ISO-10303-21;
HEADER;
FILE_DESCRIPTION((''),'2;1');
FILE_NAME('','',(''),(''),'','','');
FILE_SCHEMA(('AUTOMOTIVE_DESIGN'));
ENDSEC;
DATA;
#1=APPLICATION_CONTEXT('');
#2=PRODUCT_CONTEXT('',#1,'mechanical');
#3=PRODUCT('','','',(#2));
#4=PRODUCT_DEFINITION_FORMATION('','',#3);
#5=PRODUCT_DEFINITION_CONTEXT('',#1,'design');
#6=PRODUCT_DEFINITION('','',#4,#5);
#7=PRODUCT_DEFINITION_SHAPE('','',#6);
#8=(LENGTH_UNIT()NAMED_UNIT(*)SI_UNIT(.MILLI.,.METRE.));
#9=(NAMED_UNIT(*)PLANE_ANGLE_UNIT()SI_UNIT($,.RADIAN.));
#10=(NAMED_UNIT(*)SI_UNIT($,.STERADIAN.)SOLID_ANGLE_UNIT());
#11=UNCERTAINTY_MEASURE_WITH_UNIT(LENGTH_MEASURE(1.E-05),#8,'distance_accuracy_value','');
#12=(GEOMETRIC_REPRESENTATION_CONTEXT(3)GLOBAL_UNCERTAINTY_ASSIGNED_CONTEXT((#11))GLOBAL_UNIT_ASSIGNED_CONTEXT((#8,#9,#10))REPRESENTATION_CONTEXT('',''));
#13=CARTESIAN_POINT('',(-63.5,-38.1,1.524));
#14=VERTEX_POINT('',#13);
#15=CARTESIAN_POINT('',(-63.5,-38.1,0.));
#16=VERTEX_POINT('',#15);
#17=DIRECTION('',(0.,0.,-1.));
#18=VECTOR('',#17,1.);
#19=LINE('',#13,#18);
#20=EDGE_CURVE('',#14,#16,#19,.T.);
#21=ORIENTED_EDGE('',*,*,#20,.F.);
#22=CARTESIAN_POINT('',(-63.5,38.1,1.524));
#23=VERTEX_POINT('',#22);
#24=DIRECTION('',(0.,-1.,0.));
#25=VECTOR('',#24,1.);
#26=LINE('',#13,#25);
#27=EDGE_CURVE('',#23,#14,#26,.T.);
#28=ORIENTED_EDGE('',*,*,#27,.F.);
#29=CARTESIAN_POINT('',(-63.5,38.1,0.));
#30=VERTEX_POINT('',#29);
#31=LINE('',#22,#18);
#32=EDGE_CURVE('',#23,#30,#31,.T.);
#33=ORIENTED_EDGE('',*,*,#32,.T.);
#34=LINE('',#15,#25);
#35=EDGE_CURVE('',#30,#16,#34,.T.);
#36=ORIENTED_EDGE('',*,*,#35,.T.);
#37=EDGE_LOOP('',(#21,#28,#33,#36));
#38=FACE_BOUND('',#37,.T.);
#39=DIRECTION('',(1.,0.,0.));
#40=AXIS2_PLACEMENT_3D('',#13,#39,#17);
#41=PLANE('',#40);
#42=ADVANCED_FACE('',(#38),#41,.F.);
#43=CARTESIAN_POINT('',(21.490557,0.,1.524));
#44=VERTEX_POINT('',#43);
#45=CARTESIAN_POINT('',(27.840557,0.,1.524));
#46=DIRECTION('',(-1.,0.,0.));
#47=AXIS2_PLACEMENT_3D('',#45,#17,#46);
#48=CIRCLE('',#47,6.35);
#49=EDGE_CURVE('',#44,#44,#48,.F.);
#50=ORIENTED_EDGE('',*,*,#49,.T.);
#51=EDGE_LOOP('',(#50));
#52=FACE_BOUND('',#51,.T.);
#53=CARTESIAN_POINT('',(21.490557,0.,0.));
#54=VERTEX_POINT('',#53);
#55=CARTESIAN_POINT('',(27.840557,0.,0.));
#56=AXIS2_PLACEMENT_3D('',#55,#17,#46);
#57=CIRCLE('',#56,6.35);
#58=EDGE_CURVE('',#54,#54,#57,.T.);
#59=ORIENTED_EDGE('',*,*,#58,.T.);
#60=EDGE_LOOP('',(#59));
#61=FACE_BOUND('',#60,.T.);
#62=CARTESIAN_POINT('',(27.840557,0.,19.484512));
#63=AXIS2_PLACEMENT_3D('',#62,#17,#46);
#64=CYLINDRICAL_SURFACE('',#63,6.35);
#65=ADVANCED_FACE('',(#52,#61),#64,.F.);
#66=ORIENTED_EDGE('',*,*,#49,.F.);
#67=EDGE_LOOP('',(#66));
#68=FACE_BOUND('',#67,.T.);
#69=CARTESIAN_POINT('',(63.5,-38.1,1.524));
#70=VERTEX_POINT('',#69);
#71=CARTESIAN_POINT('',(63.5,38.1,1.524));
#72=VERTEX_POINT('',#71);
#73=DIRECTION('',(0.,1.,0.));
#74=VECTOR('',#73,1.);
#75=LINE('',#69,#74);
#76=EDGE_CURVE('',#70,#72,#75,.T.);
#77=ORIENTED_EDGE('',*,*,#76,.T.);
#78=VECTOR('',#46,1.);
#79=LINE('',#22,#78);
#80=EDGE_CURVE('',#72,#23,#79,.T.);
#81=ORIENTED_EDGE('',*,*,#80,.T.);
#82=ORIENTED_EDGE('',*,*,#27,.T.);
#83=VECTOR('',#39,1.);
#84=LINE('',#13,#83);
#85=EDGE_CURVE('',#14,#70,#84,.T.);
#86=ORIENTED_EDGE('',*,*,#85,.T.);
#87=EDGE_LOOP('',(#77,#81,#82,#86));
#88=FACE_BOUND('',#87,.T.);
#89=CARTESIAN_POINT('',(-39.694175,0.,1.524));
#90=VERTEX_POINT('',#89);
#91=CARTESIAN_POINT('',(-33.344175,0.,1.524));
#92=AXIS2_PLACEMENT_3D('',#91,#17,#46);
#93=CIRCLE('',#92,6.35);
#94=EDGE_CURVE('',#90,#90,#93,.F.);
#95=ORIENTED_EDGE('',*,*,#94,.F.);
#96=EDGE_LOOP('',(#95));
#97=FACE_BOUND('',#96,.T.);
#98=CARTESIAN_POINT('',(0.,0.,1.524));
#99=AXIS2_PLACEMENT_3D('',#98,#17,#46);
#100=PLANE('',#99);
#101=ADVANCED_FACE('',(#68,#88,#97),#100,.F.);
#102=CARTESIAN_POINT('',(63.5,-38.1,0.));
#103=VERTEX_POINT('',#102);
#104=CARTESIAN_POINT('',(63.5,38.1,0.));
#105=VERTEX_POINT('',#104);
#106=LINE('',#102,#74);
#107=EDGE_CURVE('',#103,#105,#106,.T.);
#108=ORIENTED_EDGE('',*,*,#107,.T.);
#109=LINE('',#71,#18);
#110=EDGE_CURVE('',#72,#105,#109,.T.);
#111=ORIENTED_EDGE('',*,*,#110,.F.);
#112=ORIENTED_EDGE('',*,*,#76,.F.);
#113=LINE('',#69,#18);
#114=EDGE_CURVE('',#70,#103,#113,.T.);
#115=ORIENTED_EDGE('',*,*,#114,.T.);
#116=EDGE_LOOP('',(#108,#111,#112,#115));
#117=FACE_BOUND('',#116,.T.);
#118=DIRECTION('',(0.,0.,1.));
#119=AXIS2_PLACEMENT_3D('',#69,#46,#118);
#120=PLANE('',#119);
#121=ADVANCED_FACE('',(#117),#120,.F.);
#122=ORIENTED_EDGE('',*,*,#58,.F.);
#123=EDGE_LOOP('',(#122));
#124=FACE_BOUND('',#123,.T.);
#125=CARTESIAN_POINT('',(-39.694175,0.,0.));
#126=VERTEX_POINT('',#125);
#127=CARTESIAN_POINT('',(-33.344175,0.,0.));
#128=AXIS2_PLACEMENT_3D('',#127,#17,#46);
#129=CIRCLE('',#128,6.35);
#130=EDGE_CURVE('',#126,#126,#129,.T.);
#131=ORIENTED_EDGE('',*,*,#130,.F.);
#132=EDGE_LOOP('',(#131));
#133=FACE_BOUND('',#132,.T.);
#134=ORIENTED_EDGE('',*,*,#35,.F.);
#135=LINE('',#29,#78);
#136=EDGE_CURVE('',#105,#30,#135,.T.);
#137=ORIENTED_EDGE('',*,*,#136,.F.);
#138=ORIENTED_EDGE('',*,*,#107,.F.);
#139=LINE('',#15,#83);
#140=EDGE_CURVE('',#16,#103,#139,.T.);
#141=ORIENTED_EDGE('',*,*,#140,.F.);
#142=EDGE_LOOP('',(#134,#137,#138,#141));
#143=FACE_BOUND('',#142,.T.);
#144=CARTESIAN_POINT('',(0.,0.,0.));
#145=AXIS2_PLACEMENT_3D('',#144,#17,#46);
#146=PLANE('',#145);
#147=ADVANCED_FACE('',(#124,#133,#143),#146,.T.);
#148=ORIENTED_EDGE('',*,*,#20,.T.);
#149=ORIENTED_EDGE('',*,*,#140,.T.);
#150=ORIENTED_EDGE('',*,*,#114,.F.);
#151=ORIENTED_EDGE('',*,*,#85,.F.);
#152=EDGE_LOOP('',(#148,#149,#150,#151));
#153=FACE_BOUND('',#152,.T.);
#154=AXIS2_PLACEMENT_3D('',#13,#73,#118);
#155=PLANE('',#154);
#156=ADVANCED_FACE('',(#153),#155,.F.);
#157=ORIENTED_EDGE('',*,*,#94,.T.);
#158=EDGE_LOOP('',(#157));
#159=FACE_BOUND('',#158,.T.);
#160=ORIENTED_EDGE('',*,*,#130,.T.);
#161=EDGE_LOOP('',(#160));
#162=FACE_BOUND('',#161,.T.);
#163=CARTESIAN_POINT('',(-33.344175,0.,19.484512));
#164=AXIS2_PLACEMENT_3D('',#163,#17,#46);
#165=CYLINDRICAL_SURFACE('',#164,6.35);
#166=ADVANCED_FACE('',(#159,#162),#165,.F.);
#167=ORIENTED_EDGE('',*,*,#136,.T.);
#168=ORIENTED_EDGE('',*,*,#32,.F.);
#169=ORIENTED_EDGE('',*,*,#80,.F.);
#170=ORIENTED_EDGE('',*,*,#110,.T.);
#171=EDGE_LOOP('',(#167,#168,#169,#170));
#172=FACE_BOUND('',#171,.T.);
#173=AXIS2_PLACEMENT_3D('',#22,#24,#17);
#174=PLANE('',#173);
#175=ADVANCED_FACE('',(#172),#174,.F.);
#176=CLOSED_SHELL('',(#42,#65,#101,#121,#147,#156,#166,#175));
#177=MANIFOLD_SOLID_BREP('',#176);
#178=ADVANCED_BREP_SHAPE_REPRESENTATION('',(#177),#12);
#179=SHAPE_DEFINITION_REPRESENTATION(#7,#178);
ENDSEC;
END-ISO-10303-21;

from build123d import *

# Parameters (mm, degrees)
SKETCH1_W           = 127
SKETCH1_H           = 76.2
BOSS_EXTRUDE1_DEPTH = 1.524
SKETCH2_R           = 6.35
CUT_EXTRUDE1_DEPTH  = 1.524


with BuildPart() as part:
    # Sketch1 → Boss-Extrude1 (new body)
    with BuildSketch(Plane.XY):
        Rectangle(SKETCH1_W, SKETCH1_H)
    extrude(amount=BOSS_EXTRUDE1_DEPTH)

    # Sketch2 → Cut-Extrude1 (cut)
    with BuildSketch(Plane(origin=(0, 0, 0), x_dir=(-1, 0, 0), z_dir=(0, 0, -1))):
        with Locations((-27.840556527, 0)):
            Circle(SKETCH2_R)
        with Locations((33.34417465, 0)):
            Circle(SKETCH2_R)
    extrude(amount=-CUT_EXTRUDE1_DEPTH, mode=Mode.SUBTRACT)


solid = part.part
